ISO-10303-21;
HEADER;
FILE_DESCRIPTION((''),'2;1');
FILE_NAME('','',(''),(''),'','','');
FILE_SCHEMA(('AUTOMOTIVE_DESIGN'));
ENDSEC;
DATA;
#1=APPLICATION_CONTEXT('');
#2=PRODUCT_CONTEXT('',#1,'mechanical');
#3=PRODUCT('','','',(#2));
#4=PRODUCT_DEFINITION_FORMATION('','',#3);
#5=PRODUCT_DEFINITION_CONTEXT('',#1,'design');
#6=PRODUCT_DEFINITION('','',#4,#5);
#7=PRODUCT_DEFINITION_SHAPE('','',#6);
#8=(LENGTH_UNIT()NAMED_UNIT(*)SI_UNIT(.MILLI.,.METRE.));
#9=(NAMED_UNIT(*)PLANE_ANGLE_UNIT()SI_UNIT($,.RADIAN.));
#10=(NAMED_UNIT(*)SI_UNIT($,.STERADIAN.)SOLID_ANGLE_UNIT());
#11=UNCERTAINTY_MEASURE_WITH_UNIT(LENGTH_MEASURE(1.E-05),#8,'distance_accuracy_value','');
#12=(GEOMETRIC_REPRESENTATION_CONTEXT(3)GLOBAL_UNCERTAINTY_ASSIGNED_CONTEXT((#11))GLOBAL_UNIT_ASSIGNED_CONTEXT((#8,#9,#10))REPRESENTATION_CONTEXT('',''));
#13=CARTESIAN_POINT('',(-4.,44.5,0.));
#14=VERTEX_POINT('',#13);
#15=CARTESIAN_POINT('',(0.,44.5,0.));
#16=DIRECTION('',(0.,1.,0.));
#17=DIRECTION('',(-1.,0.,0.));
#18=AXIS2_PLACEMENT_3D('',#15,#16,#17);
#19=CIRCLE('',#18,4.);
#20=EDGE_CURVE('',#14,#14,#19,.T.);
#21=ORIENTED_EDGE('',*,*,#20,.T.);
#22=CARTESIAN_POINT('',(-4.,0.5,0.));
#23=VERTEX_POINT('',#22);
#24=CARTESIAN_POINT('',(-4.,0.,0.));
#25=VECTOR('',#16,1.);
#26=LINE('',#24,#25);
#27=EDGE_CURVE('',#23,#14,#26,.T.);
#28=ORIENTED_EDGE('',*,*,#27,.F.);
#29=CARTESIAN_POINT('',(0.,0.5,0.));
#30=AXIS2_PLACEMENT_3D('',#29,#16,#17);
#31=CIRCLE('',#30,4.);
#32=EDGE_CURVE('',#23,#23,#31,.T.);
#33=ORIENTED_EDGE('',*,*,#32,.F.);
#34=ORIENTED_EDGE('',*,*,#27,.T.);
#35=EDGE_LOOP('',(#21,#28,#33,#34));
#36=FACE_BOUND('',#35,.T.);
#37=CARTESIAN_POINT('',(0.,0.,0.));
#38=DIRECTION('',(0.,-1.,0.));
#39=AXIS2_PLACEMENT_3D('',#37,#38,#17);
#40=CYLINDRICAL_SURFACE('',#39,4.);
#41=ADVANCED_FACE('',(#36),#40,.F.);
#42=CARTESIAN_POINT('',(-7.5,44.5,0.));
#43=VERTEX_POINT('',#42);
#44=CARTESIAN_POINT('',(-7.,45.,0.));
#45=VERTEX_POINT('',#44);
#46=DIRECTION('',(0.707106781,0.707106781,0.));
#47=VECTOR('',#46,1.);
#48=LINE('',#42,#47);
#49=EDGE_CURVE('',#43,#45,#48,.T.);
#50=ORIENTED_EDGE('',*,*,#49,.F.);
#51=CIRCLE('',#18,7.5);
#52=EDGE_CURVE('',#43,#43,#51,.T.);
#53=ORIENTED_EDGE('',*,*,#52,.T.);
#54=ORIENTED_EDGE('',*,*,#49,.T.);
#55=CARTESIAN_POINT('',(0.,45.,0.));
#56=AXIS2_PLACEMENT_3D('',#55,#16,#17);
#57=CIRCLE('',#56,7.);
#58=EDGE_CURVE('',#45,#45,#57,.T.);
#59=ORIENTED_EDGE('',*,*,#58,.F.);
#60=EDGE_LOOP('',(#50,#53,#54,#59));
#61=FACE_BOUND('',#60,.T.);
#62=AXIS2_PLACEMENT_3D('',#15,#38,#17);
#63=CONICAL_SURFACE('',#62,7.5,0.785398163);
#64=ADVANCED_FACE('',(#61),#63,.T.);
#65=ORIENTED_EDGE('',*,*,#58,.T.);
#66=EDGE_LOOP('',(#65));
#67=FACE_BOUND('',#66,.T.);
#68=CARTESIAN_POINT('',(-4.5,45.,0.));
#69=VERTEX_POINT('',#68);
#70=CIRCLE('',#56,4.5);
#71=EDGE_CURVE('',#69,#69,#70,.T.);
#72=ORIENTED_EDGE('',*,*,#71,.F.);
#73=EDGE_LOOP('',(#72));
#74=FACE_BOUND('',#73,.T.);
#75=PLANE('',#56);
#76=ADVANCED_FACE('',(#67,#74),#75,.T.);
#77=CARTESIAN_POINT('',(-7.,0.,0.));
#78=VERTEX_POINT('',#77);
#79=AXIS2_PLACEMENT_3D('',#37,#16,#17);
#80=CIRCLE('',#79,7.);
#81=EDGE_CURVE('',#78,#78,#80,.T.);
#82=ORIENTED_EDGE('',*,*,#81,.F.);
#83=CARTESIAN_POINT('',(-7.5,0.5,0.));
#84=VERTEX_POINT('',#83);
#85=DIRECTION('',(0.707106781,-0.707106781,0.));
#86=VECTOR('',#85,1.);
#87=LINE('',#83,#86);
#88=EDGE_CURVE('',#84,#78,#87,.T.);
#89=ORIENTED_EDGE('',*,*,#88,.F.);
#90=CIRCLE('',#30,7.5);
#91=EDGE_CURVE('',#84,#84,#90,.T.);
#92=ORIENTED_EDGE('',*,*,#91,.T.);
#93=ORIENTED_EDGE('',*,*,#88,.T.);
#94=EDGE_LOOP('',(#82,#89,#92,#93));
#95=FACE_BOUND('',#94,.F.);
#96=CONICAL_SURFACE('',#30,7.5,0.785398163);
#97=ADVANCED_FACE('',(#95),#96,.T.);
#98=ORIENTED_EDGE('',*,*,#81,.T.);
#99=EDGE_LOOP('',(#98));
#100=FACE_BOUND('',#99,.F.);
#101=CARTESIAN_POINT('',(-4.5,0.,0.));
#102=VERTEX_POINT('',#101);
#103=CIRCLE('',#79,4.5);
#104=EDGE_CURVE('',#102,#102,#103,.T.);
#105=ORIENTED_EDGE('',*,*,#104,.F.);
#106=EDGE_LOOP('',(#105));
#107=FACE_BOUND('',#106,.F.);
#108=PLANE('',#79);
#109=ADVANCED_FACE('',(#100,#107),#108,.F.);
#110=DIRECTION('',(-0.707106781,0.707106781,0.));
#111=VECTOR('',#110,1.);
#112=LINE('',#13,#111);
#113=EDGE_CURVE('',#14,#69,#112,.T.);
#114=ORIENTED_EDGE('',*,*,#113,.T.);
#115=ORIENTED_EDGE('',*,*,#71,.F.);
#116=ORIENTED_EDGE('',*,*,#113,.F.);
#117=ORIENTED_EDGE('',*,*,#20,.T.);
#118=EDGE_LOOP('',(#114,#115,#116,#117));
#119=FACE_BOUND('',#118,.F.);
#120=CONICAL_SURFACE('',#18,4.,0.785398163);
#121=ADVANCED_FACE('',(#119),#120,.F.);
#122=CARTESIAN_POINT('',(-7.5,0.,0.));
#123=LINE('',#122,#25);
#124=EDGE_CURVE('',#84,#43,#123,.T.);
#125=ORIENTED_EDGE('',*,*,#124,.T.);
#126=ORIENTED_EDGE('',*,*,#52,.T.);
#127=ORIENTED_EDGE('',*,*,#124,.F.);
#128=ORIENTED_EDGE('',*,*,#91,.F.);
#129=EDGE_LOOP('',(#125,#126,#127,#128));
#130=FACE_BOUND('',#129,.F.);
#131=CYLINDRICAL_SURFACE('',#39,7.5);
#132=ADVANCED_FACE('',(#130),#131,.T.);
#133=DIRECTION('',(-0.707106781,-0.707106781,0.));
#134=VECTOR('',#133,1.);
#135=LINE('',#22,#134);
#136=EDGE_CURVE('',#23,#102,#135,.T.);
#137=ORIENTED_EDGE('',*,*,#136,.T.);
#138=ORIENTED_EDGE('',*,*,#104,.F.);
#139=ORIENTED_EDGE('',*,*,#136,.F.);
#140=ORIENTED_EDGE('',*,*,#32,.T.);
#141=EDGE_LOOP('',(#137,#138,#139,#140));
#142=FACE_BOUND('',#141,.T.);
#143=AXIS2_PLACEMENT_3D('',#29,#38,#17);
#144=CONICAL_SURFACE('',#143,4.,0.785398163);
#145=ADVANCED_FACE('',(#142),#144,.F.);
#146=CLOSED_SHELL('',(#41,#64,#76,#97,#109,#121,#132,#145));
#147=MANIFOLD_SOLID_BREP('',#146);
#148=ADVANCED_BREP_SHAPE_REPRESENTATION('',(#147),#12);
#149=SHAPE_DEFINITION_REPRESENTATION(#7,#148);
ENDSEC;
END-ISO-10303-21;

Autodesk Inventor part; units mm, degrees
ref_plane "YZ Plane" through (0, 0, 0) normal (1, 0, 0) x (0, 1, 0)
ref_plane "XZ Plane" through (0, 0, 0) normal (0, 1, 0) x (-1, 0, 0)
ref_plane "XY Plane" through (0, 0, 0) normal (0, 0, 1) x (1, 0, 0)
sketch "Sketch1" plane through (0, 0, 0) normal (0, 1, 0) x (-1, 0, 0)
  circle A0 centre (0, 0) radius 4
  circle A1 centre (0, 0) radius 7.5
  dimension "d0" = 8
  dimension "d1" = 15
extrude "Extrusion1" add sketch "Sketch1" along normal blind 45
chamfer "Chamfer1" distance 0.5 angle 45 4 edges at (7.5, 45, 0) (4, 45, 0) (7.5, 0, 0) (4, 0, 0)
properties part number "BearingLinearLMUW8" material "Steel, Alloy"
